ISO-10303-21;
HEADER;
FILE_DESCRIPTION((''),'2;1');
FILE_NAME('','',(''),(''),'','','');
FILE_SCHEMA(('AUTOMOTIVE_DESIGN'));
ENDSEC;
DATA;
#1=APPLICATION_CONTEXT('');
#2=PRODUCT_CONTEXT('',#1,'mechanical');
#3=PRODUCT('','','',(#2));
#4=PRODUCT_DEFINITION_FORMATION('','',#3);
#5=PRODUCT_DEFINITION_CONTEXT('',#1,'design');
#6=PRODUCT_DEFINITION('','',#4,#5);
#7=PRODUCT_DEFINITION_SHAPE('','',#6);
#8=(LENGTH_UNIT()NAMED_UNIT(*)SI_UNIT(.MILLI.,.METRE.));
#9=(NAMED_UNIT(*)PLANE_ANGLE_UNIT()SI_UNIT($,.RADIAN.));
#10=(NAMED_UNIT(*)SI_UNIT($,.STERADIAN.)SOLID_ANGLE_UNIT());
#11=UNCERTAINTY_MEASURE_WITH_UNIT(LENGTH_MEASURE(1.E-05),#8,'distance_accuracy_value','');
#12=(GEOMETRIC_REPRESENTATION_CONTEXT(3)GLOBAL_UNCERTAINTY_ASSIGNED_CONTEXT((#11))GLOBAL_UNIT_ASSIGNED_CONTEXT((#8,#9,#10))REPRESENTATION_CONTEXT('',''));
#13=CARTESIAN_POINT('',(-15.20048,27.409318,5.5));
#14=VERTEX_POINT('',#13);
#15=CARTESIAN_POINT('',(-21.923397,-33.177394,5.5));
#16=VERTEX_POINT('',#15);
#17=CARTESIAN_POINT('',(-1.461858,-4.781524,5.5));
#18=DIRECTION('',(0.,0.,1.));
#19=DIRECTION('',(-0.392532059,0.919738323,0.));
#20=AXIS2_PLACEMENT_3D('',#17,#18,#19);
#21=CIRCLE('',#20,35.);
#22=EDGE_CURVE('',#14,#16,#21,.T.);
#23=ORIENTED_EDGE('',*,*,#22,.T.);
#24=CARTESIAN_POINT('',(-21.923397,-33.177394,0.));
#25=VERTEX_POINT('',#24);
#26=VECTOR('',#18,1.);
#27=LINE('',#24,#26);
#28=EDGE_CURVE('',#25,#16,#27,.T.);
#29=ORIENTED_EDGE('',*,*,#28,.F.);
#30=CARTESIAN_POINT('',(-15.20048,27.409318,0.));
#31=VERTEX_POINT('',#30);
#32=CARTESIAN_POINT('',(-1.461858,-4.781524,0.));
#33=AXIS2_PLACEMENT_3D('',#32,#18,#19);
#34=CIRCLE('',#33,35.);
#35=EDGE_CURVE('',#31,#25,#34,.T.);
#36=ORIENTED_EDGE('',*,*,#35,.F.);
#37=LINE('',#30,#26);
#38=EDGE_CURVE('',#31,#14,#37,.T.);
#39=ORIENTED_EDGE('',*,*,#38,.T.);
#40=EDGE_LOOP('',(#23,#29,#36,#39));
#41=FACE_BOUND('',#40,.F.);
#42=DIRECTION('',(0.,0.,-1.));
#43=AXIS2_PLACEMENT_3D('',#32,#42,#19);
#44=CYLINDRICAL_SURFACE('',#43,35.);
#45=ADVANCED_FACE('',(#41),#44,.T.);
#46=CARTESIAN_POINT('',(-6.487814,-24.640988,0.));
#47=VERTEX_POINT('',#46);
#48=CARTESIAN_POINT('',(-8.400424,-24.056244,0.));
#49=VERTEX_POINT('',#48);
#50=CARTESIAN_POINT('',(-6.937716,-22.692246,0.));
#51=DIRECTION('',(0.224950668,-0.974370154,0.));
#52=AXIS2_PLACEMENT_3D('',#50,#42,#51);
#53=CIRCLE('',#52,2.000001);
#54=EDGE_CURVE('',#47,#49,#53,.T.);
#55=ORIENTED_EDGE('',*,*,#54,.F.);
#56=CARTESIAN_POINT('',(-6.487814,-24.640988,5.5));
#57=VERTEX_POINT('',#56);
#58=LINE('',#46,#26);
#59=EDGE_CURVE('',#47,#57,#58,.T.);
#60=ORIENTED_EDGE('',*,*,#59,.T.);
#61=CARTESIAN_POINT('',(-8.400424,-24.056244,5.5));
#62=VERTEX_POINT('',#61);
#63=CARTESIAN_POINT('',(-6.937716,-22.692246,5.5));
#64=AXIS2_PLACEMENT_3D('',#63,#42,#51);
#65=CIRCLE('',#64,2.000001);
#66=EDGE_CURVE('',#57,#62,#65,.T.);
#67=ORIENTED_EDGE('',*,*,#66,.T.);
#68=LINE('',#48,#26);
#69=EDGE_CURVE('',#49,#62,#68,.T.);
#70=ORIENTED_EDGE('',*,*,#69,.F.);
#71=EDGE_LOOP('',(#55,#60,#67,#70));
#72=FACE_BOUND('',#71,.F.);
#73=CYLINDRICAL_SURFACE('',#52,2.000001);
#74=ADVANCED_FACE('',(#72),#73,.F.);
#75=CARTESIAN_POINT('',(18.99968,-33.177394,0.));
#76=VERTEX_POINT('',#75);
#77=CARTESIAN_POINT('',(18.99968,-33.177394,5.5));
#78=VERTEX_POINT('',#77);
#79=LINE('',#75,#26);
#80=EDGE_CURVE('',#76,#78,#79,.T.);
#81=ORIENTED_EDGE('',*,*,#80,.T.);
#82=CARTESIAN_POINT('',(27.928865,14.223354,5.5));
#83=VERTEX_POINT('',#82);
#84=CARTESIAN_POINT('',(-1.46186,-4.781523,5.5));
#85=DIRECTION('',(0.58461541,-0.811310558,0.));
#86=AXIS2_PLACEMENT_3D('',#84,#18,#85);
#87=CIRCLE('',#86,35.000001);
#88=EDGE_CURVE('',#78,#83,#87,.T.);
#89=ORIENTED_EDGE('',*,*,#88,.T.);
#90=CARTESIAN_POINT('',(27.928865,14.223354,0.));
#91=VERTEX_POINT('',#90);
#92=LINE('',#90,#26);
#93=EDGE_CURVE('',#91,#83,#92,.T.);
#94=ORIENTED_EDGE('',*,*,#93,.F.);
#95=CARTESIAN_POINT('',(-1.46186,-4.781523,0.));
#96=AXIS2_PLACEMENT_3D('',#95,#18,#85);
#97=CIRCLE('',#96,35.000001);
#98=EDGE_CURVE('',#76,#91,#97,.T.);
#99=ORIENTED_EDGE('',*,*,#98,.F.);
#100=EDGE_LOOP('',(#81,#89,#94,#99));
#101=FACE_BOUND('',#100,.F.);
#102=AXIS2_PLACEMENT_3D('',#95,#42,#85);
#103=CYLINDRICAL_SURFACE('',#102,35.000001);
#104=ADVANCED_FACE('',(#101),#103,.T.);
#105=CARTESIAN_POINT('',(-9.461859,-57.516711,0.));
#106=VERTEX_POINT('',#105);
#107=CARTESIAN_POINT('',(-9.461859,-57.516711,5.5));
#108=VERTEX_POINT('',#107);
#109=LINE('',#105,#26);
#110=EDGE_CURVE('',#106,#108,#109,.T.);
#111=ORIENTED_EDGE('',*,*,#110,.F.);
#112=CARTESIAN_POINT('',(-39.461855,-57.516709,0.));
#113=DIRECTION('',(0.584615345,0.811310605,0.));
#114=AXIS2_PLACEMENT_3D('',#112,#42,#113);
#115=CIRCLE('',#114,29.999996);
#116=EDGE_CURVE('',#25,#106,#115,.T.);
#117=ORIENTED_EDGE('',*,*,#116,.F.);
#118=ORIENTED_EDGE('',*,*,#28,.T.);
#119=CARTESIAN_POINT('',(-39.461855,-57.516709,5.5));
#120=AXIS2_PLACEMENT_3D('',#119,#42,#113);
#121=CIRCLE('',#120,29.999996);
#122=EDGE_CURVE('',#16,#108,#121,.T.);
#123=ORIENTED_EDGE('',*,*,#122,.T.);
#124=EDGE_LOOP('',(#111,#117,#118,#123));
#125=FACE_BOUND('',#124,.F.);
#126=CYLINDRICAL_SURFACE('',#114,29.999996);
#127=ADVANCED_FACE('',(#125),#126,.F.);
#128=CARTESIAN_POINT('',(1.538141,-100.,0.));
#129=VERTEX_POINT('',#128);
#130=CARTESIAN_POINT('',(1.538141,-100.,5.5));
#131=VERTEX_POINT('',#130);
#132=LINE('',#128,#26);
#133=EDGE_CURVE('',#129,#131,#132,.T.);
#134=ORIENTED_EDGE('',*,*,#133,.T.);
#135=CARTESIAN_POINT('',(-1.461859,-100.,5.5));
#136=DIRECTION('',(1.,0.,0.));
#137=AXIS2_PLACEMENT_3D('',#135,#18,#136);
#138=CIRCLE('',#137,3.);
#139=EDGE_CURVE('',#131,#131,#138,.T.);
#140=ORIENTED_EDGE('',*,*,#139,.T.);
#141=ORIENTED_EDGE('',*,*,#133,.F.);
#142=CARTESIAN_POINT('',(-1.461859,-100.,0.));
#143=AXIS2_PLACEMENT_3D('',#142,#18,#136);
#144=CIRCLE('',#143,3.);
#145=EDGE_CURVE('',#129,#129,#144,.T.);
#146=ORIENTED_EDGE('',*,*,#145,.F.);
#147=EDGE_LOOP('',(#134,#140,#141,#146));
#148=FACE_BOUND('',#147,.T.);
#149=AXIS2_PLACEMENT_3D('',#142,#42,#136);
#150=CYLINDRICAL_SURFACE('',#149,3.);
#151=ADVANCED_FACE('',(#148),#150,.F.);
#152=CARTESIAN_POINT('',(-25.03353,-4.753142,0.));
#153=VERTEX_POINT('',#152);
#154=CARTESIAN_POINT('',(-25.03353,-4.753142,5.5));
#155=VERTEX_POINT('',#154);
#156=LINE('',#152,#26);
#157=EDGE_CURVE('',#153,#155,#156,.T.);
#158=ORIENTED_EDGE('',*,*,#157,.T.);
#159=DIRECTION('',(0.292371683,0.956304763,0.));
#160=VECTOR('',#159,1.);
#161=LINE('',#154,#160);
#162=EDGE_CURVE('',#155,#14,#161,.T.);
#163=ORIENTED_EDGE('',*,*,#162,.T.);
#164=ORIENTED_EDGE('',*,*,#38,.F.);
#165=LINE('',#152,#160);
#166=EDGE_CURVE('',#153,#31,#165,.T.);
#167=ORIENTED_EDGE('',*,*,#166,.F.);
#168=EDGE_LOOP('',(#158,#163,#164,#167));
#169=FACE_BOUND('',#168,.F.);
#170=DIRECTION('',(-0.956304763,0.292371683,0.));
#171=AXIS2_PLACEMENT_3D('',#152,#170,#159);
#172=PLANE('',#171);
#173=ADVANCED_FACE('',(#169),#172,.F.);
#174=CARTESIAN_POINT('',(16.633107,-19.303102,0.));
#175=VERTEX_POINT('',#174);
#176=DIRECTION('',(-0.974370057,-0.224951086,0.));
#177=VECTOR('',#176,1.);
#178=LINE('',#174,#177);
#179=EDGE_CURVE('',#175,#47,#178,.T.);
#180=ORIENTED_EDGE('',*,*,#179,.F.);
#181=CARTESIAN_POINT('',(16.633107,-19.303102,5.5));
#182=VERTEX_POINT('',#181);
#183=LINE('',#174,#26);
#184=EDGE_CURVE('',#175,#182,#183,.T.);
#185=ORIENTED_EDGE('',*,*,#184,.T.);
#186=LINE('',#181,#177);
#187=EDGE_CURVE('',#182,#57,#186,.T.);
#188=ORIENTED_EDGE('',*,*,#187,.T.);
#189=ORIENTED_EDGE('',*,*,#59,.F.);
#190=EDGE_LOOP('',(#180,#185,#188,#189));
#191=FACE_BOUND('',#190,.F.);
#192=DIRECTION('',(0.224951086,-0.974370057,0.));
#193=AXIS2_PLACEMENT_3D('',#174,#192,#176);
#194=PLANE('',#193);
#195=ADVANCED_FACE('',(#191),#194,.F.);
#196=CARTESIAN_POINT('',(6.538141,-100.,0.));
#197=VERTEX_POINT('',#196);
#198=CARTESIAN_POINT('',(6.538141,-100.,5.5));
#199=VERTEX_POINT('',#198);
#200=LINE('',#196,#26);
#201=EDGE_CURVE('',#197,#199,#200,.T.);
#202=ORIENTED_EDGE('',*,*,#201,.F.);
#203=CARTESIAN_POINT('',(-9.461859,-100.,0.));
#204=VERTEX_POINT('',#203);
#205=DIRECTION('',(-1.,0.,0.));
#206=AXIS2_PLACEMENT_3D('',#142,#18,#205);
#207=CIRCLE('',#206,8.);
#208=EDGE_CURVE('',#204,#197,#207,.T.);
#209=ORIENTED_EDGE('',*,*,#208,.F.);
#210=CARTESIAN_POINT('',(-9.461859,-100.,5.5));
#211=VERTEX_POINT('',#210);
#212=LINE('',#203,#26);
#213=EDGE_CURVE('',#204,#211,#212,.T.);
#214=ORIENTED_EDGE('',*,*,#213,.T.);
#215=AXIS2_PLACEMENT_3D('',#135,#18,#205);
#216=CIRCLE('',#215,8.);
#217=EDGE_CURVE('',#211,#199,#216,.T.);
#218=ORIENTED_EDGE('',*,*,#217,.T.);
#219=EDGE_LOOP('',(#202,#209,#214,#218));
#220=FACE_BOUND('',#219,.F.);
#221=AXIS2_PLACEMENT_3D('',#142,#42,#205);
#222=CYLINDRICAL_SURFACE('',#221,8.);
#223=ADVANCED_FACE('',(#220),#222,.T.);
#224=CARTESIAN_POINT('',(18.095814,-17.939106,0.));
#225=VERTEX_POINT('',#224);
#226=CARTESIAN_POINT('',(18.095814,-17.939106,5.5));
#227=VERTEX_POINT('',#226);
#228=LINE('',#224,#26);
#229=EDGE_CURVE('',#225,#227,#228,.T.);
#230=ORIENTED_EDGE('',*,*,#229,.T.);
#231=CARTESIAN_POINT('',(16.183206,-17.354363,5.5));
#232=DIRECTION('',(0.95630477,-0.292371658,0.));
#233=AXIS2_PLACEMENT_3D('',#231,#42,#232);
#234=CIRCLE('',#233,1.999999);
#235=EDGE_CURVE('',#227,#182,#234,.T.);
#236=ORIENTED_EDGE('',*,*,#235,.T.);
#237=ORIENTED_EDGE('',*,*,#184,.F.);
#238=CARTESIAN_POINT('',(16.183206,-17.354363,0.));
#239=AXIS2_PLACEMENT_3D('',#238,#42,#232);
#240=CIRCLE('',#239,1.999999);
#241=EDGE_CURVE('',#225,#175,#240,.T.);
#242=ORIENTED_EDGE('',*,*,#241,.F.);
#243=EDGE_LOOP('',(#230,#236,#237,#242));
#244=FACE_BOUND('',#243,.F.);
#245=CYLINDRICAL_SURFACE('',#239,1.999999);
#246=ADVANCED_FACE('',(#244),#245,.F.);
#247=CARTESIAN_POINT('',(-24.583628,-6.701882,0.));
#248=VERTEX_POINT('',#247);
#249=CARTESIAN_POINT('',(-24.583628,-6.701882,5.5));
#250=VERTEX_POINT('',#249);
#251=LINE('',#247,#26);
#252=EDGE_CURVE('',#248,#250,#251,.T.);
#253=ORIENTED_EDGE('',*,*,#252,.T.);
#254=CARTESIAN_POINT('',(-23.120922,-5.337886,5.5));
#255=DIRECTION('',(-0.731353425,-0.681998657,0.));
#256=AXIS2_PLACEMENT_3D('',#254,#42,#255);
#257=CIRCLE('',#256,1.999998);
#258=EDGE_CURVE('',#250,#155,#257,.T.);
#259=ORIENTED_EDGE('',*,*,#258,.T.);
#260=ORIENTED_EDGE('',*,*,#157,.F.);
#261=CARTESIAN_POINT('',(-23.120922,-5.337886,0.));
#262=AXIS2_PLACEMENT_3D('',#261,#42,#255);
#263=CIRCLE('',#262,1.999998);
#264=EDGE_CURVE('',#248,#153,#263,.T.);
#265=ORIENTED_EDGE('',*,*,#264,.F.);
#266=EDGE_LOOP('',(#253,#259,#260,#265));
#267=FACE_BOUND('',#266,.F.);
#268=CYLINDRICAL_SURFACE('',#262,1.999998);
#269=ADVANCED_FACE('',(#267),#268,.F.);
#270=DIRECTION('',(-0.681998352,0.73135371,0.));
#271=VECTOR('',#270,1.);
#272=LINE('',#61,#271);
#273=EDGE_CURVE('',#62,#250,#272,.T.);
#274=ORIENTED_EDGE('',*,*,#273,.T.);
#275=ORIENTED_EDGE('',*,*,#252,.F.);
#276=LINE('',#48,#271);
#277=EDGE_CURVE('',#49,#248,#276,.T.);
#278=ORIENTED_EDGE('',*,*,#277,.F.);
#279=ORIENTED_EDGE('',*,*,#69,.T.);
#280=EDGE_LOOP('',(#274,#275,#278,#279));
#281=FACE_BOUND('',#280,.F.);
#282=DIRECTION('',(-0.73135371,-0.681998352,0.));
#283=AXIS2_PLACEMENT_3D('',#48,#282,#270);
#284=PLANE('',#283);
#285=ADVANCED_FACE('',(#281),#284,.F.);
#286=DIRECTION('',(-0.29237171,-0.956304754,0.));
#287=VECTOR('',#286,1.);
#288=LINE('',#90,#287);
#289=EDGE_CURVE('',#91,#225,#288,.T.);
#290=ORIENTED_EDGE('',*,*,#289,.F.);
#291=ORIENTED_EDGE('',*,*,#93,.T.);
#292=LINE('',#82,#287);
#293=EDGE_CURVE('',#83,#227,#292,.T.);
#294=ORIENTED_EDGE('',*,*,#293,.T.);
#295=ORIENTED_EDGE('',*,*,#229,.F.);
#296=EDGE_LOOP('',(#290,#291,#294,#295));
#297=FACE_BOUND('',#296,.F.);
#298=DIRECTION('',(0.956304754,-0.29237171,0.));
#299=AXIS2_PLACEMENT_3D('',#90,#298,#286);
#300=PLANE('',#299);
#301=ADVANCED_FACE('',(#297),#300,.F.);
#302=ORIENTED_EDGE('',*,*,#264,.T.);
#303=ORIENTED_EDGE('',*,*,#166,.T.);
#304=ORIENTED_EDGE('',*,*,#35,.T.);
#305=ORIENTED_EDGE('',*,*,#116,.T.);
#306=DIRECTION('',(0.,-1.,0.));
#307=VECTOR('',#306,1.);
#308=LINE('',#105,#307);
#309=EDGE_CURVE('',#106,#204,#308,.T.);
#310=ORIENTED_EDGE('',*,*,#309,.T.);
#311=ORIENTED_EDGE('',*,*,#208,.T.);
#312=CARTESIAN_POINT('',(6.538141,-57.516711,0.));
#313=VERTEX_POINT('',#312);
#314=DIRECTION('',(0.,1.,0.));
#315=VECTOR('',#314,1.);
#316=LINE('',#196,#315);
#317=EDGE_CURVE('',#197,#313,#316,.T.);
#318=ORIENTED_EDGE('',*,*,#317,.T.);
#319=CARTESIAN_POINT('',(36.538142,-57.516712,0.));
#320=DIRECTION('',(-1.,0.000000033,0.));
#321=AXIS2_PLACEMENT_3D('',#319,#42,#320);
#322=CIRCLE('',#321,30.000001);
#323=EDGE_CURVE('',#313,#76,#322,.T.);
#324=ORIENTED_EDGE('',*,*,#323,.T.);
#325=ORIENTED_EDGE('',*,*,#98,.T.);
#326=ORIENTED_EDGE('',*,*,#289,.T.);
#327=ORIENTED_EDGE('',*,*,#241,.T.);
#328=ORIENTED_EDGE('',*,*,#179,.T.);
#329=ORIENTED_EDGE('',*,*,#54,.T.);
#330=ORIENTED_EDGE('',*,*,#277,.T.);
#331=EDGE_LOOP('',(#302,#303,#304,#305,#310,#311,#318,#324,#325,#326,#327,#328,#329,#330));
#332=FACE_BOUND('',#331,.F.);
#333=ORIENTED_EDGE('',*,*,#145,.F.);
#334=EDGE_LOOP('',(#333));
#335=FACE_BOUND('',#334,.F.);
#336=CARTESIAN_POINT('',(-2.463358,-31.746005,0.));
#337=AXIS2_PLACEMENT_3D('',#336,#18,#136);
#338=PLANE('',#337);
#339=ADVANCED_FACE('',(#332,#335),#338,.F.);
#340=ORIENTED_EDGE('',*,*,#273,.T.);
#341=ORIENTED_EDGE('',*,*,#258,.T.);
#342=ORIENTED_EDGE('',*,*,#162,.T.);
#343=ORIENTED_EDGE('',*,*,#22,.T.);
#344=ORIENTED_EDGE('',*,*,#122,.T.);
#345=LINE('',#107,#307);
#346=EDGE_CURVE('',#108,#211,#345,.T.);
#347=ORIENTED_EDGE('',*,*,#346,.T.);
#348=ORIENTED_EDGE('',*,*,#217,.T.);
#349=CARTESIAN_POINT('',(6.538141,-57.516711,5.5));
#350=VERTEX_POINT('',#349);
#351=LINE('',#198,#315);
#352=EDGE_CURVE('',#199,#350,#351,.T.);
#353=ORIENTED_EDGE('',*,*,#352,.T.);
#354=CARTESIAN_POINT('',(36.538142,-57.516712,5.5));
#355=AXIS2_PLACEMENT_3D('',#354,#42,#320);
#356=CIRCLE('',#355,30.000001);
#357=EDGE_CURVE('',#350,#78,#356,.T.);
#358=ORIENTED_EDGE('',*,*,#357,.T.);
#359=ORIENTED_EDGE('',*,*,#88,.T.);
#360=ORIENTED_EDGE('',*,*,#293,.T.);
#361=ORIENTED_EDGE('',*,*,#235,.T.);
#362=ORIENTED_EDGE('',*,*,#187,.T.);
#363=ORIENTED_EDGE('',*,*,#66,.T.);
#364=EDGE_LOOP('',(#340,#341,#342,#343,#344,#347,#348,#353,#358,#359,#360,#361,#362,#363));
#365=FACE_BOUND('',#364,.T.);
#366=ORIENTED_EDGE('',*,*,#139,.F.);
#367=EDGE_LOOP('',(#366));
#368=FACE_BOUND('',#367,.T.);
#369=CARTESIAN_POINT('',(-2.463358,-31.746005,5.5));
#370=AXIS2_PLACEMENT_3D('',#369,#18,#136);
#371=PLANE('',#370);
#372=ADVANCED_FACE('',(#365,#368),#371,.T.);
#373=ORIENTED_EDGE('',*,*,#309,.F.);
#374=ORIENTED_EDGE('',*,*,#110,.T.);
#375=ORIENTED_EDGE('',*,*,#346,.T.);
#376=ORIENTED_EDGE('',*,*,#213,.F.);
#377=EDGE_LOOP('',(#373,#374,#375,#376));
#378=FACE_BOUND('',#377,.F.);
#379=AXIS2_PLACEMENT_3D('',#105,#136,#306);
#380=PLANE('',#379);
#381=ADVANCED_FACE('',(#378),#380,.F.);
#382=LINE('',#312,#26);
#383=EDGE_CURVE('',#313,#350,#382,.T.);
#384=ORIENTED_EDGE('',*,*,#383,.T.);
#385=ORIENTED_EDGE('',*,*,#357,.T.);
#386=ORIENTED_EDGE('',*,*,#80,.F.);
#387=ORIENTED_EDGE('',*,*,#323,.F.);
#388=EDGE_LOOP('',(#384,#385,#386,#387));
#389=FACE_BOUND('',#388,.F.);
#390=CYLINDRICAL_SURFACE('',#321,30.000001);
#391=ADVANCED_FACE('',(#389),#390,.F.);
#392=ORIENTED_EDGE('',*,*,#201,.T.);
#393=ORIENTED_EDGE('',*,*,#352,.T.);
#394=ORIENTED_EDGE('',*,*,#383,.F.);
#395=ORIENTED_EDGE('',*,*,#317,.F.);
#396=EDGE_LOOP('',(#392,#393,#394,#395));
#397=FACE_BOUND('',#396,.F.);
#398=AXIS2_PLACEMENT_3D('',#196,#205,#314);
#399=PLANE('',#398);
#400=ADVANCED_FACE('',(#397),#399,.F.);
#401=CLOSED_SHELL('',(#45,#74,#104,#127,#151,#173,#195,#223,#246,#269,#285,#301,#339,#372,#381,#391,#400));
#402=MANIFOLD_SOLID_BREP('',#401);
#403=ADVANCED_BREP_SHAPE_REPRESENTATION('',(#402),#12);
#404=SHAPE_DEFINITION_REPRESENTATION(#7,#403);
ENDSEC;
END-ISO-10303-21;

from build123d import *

# Parameters (mm, degrees)
F0_R     = 3
F1_DEPTH = 5.5


with BuildPart() as f1:
    # F0 (on Top) → F1 (new body)
    with BuildSketch(Plane.XY):
        with BuildLine():
            ThreePointArc((18.99968, -33.177394), (32.933195, -11.260742), (27.928865, 14.223354))
            Line((27.928865, 14.223354), (18.095814, -17.939106))
            ThreePointArc((18.095814, -17.939106), (17.547201, -18.81707), (16.633107, -19.303102))
            Line((16.633107, -19.303102), (-6.487814, -24.640988))
            ThreePointArc((-6.487814, -24.640988), (-7.52246, -24.604857), (-8.400424, -24.056244))
            Line((-8.400424, -24.056244), (-24.583628, -6.701882))
            ThreePointArc((-24.583628, -6.701882), (-25.069661, -5.787787), (-25.03353, -4.753142))
            Line((-25.03353, -4.753142), (-15.20048, 27.409318))
            ThreePointArc((-15.20048, 27.409318), (-36.248352, -0.921491), (-21.923397, -33.177394))
            ThreePointArc((-21.923397, -33.177394), (-12.758358, -43.84473), (-9.461859, -57.516711))
            Line((-9.461859, -57.516711), (-9.461859, -100))
            ThreePointArc((-9.461859, -100), (-1.461859, -108), (6.538141, -100))
            Line((6.538141, -100), (6.538141, -57.516711))
            ThreePointArc((6.538141, -57.516711), (9.834641, -43.84473), (18.99968, -33.177394))
        make_face()
        with Locations((-1.461859, -100)):
            Circle(F0_R, mode=Mode.SUBTRACT)
    extrude(amount=F1_DEPTH)


solid = f1.part
